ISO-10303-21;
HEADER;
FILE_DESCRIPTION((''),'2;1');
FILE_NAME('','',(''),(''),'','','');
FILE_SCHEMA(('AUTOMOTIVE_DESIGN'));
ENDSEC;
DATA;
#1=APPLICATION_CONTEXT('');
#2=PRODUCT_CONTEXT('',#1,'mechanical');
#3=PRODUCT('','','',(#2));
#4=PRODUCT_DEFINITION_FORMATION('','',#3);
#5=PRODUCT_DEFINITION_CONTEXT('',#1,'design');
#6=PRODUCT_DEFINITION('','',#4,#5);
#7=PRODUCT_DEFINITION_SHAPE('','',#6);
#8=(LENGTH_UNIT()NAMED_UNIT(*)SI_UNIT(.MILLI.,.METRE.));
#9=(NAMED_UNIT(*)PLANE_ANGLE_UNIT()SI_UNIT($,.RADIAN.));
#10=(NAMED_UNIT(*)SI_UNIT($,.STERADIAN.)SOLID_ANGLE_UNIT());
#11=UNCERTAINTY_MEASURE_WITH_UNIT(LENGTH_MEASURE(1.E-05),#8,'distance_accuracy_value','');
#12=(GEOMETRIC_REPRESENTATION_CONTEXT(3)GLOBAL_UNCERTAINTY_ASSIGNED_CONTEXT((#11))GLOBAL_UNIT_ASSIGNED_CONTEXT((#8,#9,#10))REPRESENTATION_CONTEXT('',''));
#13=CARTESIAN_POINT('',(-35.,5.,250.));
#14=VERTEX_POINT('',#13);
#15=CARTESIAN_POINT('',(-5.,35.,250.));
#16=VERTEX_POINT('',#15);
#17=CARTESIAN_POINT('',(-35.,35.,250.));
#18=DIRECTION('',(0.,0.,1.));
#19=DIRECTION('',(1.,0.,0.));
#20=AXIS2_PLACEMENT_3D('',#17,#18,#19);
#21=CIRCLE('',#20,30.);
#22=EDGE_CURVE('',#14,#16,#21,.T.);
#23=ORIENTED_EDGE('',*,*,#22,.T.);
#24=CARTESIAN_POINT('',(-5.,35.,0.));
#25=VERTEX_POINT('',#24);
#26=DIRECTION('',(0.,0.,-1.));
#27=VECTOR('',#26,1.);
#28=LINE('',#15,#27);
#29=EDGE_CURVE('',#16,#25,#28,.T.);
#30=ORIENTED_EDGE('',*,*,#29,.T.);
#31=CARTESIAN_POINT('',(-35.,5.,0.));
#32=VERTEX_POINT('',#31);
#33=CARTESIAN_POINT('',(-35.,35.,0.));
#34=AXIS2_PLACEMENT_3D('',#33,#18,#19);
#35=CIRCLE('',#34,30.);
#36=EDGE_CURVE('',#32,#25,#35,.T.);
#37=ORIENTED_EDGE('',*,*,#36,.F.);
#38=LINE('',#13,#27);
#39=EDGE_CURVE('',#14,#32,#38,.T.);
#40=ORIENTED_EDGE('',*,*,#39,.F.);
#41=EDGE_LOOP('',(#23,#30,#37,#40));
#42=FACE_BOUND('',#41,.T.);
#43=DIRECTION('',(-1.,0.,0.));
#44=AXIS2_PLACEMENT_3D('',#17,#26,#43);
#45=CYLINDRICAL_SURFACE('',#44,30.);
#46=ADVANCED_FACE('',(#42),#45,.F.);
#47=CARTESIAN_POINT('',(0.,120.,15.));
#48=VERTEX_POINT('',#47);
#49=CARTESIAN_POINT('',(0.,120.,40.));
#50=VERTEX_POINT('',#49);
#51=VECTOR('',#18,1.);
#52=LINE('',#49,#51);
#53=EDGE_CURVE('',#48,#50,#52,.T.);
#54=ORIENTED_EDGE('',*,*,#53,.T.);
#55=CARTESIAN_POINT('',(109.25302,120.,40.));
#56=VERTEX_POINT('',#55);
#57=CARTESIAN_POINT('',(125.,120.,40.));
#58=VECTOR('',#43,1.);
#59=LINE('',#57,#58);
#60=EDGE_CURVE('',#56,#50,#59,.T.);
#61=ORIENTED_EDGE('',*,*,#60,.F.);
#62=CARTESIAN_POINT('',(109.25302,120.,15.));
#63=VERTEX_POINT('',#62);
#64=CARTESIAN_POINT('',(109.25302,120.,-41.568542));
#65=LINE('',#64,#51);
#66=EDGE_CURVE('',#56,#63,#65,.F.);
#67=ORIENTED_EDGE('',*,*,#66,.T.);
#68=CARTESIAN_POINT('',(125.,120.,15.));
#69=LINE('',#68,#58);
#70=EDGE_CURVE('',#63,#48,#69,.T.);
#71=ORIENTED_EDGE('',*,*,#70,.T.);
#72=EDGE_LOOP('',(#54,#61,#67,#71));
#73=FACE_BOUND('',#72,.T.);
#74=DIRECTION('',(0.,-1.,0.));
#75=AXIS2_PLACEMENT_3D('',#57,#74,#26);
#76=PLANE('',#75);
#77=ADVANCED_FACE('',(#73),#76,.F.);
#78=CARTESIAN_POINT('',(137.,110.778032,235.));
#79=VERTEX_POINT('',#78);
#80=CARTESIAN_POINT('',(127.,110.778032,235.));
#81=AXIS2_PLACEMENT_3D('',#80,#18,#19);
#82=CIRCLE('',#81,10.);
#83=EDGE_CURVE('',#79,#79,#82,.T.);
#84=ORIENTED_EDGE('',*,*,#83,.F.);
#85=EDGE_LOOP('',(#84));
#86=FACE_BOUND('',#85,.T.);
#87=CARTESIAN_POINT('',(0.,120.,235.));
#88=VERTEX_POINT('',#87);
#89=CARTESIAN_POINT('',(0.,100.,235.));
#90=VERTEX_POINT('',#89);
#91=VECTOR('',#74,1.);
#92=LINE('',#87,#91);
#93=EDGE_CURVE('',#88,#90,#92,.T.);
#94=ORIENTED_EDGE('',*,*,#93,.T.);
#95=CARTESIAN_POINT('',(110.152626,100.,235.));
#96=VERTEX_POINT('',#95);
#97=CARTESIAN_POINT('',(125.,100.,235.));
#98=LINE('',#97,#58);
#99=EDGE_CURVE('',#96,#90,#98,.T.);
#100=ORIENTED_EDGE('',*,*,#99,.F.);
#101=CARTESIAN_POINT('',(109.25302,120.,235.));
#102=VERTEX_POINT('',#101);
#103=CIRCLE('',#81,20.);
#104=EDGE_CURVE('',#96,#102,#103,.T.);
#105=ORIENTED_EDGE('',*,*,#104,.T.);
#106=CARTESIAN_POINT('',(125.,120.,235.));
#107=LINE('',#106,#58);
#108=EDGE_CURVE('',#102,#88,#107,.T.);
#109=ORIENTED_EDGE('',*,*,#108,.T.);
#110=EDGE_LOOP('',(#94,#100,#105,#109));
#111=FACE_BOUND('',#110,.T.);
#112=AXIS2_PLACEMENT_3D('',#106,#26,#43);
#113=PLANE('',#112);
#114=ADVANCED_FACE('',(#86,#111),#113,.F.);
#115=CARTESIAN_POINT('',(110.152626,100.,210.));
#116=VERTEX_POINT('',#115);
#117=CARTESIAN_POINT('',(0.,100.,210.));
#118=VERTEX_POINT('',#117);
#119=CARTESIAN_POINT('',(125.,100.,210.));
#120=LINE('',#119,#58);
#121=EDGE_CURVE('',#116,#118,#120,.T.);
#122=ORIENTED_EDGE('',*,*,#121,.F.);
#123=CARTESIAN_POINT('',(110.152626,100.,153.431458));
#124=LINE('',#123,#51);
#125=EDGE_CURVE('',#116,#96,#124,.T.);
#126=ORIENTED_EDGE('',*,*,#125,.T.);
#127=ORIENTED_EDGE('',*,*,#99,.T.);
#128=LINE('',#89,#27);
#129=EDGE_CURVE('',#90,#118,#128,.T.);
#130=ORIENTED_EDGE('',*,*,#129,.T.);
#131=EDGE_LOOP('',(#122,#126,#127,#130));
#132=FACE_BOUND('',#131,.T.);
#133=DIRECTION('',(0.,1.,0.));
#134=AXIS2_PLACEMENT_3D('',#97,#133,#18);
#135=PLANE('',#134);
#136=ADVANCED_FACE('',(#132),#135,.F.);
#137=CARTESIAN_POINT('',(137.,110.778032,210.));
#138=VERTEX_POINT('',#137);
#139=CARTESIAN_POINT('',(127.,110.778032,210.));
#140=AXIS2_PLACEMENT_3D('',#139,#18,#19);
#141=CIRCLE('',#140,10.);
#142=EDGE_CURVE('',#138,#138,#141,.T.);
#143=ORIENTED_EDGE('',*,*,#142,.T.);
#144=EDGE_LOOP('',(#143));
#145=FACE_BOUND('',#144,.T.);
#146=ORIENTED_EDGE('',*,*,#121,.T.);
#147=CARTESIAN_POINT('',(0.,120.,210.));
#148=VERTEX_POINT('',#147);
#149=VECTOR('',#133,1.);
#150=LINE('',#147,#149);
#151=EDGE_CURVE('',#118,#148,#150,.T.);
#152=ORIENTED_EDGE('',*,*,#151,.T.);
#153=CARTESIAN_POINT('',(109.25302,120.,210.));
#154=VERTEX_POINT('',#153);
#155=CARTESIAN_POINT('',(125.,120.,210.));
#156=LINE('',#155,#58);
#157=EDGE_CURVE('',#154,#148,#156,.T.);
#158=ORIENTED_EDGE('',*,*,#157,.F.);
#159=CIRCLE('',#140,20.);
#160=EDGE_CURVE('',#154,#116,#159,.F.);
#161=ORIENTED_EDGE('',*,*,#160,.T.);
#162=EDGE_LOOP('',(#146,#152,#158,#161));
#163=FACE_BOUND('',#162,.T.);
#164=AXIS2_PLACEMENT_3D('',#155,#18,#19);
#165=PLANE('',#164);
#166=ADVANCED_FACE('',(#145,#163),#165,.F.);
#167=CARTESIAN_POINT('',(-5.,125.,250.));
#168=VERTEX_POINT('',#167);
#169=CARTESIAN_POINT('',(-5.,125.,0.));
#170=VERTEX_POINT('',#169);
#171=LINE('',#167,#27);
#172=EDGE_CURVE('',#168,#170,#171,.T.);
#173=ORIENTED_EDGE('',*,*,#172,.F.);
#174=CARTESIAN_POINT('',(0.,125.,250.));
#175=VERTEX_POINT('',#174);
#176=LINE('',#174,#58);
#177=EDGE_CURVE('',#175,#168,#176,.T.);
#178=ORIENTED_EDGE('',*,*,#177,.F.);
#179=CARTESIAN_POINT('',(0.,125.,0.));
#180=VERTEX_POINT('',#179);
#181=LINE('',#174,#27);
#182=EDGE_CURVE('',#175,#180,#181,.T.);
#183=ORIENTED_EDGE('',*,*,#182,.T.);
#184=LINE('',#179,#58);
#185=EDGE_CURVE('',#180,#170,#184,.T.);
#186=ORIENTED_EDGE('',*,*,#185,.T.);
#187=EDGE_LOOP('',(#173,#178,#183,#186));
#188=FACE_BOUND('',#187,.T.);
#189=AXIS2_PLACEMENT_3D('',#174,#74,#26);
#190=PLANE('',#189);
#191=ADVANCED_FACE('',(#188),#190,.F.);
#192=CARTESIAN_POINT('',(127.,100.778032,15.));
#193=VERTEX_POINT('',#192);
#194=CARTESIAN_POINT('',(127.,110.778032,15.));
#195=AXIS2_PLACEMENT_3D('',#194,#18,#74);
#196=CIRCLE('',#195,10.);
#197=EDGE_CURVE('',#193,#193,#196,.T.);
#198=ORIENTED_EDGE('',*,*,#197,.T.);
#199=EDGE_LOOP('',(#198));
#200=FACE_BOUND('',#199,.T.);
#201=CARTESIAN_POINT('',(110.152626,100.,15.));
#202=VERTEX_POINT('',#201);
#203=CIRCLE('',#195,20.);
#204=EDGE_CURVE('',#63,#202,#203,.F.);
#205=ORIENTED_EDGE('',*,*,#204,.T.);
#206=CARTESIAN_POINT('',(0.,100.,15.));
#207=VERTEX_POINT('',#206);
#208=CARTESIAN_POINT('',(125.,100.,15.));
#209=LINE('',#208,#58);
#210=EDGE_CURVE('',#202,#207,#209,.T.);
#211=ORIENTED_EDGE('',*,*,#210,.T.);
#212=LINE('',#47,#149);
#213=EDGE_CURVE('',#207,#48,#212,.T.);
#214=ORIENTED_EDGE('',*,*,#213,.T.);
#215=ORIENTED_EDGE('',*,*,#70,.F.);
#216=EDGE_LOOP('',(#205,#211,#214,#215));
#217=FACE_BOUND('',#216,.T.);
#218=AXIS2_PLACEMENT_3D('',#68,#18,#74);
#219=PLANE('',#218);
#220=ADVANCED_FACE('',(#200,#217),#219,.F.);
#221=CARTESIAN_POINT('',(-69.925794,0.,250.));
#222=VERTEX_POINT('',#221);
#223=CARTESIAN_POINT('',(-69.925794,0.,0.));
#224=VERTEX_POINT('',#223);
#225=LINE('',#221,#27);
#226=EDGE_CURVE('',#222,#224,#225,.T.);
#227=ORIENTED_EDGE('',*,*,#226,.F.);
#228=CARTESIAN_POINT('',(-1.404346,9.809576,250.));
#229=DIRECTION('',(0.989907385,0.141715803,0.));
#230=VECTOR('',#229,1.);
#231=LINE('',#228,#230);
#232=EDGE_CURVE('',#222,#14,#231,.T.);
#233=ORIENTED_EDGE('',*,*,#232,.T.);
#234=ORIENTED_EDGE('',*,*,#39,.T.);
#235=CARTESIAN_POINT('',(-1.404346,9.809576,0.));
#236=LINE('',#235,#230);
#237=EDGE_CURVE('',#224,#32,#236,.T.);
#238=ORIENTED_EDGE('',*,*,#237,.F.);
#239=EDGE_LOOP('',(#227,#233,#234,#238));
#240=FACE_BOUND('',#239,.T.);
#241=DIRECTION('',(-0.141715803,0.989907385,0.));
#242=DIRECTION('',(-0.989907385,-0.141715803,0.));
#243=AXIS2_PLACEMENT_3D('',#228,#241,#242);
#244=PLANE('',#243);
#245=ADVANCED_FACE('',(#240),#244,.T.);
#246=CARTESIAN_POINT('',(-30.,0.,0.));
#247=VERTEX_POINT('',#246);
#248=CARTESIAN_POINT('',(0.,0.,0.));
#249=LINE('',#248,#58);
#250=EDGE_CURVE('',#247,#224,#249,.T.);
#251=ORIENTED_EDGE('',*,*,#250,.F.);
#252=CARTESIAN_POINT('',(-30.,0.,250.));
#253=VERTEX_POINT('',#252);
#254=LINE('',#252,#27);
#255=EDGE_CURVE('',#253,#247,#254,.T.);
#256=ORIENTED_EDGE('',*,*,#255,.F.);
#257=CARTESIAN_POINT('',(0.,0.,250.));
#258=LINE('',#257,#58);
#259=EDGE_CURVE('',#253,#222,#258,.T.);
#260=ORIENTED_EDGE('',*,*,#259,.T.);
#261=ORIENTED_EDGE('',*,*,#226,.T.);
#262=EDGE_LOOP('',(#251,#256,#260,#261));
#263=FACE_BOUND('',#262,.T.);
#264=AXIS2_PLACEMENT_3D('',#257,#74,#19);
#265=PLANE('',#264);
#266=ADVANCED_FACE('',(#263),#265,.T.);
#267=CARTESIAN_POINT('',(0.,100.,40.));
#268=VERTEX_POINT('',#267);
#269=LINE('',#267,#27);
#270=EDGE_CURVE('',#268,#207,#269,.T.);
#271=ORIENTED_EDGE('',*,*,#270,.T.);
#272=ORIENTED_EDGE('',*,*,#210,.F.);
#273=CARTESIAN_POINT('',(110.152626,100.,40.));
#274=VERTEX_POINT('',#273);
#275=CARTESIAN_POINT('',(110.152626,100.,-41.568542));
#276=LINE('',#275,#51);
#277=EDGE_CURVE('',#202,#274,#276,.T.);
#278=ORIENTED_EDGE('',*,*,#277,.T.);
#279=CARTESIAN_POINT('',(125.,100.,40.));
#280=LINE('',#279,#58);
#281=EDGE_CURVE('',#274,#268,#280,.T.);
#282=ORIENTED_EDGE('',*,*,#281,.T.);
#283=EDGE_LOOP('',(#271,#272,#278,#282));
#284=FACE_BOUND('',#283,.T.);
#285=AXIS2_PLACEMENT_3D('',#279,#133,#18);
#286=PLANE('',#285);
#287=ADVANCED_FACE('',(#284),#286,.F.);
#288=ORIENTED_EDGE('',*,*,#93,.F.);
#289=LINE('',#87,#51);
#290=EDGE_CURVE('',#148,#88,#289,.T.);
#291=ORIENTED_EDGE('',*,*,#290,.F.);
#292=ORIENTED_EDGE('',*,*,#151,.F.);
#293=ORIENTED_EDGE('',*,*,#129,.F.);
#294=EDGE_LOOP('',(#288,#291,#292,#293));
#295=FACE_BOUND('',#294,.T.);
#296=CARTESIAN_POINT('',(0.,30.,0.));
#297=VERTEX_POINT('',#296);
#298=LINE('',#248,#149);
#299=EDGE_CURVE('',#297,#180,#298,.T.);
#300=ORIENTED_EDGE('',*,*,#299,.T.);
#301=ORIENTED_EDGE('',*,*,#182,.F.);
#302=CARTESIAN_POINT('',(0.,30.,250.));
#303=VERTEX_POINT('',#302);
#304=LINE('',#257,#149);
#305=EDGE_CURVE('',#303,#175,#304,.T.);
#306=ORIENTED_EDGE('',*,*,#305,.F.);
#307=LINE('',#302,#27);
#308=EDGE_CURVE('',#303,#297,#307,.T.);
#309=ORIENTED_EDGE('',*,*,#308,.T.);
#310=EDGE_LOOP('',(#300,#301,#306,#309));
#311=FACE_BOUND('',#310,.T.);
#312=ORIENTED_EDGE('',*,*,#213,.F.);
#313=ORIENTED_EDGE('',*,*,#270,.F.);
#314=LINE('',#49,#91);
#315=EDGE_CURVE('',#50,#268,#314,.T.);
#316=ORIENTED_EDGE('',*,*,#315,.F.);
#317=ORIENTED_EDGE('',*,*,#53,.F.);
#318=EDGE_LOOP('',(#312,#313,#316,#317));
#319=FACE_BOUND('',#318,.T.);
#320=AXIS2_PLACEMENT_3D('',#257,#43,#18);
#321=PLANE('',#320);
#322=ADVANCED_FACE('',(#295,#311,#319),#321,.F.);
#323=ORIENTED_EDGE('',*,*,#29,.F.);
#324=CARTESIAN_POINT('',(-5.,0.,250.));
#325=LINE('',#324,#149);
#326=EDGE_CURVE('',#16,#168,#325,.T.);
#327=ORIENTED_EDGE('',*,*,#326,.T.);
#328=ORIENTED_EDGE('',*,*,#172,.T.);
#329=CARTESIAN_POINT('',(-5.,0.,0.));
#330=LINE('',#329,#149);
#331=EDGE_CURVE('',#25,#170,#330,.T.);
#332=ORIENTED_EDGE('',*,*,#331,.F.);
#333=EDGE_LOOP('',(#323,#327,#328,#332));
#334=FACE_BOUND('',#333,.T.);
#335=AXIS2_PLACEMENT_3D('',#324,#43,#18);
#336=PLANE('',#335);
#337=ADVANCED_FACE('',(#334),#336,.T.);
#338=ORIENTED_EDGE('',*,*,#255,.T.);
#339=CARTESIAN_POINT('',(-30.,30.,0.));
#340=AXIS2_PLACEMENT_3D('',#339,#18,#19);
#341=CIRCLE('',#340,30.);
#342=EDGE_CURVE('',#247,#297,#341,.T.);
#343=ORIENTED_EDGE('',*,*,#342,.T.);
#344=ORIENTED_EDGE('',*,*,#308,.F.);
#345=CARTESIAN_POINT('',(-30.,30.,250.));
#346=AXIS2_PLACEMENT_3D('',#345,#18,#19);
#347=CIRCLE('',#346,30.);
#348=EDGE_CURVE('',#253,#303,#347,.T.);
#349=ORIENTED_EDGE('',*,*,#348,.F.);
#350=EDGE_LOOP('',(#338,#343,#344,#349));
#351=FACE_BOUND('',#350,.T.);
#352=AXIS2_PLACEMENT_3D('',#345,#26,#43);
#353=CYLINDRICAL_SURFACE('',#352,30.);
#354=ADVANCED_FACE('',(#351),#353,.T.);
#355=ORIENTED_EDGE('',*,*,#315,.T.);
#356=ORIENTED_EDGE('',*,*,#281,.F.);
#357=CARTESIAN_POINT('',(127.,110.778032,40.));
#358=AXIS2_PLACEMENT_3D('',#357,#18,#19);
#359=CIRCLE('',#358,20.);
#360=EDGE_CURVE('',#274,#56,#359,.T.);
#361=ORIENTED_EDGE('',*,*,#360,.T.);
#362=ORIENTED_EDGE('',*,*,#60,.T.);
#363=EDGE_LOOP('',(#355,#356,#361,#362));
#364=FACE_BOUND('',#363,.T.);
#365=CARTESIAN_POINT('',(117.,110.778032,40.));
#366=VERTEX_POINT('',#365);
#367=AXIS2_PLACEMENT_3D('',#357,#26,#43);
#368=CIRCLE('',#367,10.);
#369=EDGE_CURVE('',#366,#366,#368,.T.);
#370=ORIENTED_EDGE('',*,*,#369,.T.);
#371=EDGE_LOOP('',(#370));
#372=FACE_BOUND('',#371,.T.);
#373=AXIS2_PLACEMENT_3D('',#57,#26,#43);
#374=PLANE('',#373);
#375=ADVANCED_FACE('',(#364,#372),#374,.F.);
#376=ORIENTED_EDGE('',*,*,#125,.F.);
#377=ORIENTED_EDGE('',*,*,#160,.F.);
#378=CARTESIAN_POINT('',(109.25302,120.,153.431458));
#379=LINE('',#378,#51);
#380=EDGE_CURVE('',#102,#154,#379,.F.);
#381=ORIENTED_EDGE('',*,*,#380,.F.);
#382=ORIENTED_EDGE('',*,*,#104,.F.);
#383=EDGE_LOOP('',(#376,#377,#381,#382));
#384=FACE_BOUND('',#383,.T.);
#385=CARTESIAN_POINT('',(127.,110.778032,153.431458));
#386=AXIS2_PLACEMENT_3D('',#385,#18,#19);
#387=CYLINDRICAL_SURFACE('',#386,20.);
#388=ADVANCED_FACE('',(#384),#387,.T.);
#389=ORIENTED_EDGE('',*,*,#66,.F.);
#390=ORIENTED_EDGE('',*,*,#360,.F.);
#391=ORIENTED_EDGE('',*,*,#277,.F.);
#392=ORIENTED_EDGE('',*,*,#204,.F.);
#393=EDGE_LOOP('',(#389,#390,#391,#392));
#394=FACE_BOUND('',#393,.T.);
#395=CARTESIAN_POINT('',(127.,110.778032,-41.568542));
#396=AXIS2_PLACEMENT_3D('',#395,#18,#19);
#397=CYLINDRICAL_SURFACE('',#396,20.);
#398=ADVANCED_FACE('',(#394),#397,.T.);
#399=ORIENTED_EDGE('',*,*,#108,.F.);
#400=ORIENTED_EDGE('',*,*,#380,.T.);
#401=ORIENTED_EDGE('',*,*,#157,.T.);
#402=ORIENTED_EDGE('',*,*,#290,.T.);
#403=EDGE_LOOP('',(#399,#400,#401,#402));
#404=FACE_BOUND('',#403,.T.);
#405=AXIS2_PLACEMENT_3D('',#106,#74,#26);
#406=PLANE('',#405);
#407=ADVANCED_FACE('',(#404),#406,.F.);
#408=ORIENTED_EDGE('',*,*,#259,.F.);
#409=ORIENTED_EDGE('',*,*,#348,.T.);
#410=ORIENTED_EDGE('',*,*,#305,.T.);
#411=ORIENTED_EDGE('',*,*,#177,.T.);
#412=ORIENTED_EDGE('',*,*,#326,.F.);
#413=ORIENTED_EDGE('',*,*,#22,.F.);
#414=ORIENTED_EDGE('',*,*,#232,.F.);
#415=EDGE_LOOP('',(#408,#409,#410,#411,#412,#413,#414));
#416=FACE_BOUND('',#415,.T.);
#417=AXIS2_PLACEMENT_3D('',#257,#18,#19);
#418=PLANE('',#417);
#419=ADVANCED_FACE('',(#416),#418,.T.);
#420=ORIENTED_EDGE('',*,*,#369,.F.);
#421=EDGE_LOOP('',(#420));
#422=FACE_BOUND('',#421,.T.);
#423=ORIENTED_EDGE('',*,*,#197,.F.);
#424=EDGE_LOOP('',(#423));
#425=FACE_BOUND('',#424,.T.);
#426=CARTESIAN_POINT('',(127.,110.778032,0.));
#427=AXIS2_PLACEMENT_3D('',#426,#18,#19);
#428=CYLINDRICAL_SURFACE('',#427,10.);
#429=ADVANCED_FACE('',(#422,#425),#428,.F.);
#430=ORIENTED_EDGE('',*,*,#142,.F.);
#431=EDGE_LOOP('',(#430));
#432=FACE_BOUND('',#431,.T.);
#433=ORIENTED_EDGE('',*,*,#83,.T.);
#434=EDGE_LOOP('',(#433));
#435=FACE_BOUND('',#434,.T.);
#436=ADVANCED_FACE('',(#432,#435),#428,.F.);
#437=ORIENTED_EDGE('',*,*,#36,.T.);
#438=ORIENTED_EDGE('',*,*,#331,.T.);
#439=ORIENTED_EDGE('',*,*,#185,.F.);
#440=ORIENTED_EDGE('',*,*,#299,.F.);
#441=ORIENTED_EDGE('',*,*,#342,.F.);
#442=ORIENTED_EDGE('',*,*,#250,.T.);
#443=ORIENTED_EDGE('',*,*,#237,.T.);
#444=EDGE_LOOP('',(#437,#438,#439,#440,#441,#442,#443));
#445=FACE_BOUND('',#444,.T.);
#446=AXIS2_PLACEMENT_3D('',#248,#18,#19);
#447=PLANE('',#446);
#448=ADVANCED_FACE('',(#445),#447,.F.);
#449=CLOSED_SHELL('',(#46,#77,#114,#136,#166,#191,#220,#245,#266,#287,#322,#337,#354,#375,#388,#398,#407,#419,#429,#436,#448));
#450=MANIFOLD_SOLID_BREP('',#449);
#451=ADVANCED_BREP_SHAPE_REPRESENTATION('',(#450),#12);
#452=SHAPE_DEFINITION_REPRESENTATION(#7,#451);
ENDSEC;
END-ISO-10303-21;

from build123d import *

# Parameters (mm, degrees)
BOSS_EXTRU_1_DEPTH      = 250
ESQUISSE3_W             = 25
ESQUISSE3_H             = 20
BOSS_EXTRU_2_DEPTH      = 125
ESQUISSE4_R             = 20
BOSS_EXTRU_3_DEPTH      = 25
ESQUISSE5_R             = 20
BOSS_EXTRU_4_DEPTH      = 25
ESQUISSE6_R             = 10
ENL_V_MAT_EXTRU_1_DEPTH = 236


with BuildPart() as part:
    # Esquisse1 → Boss.-Extru.1 (new body)
    with BuildSketch(Plane.XY):
        with BuildLine():
            Line((-30, 0), (-69.925793841, 0))
            Line((-69.925793841, 0), (-35, 5))
            ThreePointArc((-35, 5), (-13.786796564, 13.786796564), (-5, 35))
            Line((-5, 35), (-5, 125))
            Line((-5, 125), (0, 125))
            Line((0, 125), (0, 30))
            ThreePointArc((0, 30), (-8.786796564, 8.786796564), (-30, 0))
        make_face()
    extrude(amount=BOSS_EXTRU_1_DEPTH)

    # Esquisse3 → Boss.-Extru.2 (add)
    with BuildSketch(Plane(origin=(0, 0, 0), x_dir=(0, 0, -1), z_dir=(1, 0, 0))):
        with Locations((-222.5, 110)):
            Rectangle(ESQUISSE3_W, ESQUISSE3_H)
        with Locations((-27.5, 110)):
            Rectangle(ESQUISSE3_W, ESQUISSE3_H)
    extrude(amount=BOSS_EXTRU_2_DEPTH)

    # Esquisse4 → Boss.-Extru.3 (add)
    with BuildSketch(Plane.XY.offset(235)):
        with Locations((127, 110.778032317)):
            Circle(ESQUISSE4_R)
    extrude(amount=-BOSS_EXTRU_3_DEPTH)

    # Esquisse5 → Boss.-Extru.4 (add)
    with BuildSketch(Plane.XY.offset(40)):
        with Locations((127, 110.778032317)):
            Circle(ESQUISSE5_R)
    extrude(amount=-BOSS_EXTRU_4_DEPTH)

    # Esquisse6 → Enlèv. mat.-Extru.1 (cut, through all)
    with BuildSketch(Plane.XY.offset(235)):
        with Locations((127, 110.778032317)):
            Circle(ESQUISSE6_R)
    extrude(amount=-ENL_V_MAT_EXTRU_1_DEPTH, mode=Mode.SUBTRACT)


solid = part.part
